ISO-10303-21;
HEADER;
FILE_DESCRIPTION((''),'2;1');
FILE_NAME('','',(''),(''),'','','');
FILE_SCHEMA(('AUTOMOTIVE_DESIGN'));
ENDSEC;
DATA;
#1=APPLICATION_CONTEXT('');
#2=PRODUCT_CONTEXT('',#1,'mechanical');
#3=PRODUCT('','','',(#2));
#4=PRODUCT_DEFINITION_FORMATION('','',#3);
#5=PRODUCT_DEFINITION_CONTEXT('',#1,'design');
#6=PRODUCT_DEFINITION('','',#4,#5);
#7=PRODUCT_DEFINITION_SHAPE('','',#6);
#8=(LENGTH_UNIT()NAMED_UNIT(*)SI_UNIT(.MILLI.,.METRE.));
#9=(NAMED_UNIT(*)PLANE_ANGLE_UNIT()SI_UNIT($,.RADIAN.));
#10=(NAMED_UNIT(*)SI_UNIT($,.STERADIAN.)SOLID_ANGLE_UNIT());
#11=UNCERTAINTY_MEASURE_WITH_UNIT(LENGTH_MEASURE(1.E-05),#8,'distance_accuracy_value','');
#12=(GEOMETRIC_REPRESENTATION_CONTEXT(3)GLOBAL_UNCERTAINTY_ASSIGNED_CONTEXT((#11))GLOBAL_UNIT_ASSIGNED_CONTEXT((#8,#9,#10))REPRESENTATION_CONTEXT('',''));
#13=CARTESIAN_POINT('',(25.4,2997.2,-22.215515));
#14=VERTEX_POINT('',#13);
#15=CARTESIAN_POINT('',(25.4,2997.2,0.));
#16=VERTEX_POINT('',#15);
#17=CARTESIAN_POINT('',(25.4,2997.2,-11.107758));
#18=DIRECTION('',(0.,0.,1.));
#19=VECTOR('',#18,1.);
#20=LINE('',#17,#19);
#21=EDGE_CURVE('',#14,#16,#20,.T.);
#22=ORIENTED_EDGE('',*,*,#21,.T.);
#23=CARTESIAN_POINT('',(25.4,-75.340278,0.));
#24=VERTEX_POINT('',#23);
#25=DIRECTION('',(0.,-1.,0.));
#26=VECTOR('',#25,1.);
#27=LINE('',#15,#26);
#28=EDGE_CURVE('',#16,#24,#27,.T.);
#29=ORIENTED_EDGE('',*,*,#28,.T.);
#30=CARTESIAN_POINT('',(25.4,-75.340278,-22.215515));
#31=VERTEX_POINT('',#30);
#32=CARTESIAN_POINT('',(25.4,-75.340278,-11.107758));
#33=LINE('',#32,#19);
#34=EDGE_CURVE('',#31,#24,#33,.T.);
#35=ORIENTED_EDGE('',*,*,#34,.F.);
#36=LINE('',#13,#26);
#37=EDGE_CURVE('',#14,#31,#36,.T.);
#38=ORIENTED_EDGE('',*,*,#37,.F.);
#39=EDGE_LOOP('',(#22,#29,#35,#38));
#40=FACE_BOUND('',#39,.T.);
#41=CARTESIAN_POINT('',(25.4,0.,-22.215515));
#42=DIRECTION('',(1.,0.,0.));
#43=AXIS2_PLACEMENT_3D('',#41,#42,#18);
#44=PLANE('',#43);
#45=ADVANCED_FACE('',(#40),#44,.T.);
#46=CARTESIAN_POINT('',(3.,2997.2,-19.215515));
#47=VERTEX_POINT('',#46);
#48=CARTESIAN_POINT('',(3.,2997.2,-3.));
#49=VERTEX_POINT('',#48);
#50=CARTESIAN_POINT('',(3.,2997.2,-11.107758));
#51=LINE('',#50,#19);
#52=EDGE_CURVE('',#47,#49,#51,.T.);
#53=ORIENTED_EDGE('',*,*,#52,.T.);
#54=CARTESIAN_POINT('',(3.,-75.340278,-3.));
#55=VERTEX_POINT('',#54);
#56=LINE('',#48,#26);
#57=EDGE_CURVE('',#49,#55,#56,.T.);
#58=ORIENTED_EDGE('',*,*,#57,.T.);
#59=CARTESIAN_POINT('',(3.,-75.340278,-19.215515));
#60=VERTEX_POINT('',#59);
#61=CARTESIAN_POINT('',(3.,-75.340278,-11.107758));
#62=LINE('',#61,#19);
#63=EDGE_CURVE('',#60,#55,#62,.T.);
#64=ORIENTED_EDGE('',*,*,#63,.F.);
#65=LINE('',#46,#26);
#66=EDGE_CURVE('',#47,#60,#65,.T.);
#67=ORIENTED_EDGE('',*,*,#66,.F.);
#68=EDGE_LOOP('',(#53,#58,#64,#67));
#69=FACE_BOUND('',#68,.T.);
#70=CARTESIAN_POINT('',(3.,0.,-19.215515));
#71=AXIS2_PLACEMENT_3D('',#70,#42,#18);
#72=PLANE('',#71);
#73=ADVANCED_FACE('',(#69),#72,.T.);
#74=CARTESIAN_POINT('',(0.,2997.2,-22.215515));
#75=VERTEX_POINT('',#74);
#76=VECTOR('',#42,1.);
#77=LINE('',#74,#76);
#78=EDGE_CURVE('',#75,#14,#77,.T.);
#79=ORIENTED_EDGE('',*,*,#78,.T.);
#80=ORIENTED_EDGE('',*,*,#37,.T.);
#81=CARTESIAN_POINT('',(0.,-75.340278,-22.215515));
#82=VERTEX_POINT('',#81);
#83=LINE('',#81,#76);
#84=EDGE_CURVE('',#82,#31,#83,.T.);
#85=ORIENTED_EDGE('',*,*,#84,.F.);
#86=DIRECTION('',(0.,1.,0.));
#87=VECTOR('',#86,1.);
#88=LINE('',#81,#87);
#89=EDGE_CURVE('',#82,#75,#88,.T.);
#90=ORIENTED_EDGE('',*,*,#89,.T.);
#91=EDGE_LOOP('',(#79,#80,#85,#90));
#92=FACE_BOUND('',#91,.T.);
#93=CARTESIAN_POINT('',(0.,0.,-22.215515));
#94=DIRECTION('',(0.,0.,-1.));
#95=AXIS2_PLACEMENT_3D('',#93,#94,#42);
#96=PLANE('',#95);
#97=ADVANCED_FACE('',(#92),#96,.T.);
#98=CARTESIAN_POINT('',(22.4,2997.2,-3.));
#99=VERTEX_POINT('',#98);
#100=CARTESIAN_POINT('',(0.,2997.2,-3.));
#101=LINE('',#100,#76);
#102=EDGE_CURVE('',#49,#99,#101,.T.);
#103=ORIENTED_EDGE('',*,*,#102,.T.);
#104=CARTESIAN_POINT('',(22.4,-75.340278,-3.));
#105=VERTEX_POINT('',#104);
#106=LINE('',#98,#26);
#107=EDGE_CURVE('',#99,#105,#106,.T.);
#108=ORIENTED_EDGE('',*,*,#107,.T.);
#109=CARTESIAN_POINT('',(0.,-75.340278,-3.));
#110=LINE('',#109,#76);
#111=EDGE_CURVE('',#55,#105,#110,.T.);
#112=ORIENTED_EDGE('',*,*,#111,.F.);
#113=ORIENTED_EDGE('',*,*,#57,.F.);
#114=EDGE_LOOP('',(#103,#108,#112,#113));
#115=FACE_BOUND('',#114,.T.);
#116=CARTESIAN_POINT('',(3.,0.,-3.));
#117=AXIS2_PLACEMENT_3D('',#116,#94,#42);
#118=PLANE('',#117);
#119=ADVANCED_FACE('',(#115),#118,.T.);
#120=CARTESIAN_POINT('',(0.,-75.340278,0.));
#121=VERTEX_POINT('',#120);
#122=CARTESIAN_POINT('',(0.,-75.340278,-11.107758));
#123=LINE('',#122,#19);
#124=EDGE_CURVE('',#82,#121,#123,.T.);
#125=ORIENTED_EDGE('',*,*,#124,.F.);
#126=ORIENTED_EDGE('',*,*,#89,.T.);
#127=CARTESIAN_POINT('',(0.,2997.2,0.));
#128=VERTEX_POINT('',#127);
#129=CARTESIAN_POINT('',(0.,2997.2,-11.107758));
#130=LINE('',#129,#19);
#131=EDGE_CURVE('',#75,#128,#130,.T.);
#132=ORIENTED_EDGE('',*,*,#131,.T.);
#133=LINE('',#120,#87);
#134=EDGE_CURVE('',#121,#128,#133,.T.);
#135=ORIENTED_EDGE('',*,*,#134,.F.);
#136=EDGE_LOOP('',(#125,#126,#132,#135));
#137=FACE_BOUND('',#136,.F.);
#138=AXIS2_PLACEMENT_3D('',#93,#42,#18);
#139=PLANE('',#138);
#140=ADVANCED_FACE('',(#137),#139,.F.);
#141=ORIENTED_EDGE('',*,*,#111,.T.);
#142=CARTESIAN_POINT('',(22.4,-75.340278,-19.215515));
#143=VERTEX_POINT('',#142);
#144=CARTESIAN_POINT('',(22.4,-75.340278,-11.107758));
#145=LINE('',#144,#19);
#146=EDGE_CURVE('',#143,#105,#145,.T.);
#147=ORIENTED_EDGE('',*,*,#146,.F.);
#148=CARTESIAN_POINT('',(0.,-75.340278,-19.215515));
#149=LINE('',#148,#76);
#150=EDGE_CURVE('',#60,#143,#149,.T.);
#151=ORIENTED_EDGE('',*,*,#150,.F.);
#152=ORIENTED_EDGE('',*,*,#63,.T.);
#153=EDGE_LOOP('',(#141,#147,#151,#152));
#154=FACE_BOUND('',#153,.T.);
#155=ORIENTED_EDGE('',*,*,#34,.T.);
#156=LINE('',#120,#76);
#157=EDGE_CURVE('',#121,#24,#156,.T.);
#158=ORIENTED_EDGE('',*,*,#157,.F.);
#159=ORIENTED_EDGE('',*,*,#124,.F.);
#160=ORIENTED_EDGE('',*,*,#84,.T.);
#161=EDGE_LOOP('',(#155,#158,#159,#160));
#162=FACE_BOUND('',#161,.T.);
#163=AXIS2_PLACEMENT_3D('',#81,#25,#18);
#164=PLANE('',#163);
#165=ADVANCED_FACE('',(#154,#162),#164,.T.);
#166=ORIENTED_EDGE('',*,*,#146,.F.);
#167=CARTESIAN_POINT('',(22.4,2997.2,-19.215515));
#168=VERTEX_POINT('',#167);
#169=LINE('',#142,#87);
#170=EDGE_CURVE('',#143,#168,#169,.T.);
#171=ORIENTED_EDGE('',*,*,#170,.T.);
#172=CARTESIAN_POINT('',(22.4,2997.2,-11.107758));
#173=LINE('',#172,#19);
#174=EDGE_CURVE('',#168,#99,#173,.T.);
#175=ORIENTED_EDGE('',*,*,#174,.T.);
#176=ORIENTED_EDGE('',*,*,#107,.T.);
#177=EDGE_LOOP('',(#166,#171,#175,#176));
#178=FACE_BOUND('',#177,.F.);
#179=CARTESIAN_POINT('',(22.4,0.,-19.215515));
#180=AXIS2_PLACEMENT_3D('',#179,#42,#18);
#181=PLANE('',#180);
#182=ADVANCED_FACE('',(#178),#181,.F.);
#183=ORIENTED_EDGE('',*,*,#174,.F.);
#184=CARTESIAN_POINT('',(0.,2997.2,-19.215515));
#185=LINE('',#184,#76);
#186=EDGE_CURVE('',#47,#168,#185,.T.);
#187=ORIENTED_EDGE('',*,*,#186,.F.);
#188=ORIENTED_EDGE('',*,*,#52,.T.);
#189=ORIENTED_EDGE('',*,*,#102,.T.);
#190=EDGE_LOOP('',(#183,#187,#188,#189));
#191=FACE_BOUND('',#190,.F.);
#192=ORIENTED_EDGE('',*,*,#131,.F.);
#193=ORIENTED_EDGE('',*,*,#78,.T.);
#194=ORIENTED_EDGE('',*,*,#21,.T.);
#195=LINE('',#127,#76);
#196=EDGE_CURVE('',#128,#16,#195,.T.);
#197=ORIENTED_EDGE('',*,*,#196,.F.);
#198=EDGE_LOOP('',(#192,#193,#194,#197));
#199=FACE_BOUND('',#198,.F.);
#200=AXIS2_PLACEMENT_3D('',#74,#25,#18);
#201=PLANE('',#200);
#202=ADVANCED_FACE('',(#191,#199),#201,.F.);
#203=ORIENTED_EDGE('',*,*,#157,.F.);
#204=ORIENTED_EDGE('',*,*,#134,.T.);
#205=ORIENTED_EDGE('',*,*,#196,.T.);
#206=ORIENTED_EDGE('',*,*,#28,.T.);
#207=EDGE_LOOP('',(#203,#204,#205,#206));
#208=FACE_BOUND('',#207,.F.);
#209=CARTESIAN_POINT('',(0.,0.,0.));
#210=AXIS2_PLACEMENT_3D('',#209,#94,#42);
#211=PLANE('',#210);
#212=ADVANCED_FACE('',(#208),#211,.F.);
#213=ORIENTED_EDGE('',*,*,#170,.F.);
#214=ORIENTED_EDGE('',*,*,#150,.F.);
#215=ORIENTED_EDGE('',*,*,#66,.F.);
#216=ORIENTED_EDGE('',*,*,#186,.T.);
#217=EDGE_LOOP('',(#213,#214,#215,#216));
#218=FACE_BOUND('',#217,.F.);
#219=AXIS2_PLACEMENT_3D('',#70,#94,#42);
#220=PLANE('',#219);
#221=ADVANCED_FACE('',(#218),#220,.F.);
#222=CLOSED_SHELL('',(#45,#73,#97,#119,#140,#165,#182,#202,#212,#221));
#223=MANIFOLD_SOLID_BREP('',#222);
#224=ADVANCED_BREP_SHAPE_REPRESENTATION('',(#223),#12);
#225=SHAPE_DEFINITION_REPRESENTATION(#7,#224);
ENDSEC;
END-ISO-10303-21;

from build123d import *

# Parameters (mm, degrees)
F0_W     = 75.3402784467
F0_H     = 22.2155153751
F1_DEPTH = 25.4
F2_T     = -3
F3_DEPTH = 2997.2


with BuildPart() as f1:
    # F0 (on Right) → F1 (new body)
    with BuildSketch(Plane.YZ):
        with Locations((-37.6701392233, -11.1077576876)):
            Rectangle(F0_W, F0_H)
    extrude(amount=F1_DEPTH)

    # F2
    f2_openings = [f1.faces().sort_by_distance(p)[0] for p in [
        (12.7, -75.340278, -11.107758),
        (12.7, 0, -11.107758),
    ]]
    offset(amount=F2_T, openings=f2_openings)

    # F3 (add): a face of the model
    f3_faces = [f1.faces().sort_by_distance(p)[0] for p in [
        (12.7, 0, -21.8780706947),
    ]]
    extrude(f3_faces, amount=F3_DEPTH)


solid = f1.part
